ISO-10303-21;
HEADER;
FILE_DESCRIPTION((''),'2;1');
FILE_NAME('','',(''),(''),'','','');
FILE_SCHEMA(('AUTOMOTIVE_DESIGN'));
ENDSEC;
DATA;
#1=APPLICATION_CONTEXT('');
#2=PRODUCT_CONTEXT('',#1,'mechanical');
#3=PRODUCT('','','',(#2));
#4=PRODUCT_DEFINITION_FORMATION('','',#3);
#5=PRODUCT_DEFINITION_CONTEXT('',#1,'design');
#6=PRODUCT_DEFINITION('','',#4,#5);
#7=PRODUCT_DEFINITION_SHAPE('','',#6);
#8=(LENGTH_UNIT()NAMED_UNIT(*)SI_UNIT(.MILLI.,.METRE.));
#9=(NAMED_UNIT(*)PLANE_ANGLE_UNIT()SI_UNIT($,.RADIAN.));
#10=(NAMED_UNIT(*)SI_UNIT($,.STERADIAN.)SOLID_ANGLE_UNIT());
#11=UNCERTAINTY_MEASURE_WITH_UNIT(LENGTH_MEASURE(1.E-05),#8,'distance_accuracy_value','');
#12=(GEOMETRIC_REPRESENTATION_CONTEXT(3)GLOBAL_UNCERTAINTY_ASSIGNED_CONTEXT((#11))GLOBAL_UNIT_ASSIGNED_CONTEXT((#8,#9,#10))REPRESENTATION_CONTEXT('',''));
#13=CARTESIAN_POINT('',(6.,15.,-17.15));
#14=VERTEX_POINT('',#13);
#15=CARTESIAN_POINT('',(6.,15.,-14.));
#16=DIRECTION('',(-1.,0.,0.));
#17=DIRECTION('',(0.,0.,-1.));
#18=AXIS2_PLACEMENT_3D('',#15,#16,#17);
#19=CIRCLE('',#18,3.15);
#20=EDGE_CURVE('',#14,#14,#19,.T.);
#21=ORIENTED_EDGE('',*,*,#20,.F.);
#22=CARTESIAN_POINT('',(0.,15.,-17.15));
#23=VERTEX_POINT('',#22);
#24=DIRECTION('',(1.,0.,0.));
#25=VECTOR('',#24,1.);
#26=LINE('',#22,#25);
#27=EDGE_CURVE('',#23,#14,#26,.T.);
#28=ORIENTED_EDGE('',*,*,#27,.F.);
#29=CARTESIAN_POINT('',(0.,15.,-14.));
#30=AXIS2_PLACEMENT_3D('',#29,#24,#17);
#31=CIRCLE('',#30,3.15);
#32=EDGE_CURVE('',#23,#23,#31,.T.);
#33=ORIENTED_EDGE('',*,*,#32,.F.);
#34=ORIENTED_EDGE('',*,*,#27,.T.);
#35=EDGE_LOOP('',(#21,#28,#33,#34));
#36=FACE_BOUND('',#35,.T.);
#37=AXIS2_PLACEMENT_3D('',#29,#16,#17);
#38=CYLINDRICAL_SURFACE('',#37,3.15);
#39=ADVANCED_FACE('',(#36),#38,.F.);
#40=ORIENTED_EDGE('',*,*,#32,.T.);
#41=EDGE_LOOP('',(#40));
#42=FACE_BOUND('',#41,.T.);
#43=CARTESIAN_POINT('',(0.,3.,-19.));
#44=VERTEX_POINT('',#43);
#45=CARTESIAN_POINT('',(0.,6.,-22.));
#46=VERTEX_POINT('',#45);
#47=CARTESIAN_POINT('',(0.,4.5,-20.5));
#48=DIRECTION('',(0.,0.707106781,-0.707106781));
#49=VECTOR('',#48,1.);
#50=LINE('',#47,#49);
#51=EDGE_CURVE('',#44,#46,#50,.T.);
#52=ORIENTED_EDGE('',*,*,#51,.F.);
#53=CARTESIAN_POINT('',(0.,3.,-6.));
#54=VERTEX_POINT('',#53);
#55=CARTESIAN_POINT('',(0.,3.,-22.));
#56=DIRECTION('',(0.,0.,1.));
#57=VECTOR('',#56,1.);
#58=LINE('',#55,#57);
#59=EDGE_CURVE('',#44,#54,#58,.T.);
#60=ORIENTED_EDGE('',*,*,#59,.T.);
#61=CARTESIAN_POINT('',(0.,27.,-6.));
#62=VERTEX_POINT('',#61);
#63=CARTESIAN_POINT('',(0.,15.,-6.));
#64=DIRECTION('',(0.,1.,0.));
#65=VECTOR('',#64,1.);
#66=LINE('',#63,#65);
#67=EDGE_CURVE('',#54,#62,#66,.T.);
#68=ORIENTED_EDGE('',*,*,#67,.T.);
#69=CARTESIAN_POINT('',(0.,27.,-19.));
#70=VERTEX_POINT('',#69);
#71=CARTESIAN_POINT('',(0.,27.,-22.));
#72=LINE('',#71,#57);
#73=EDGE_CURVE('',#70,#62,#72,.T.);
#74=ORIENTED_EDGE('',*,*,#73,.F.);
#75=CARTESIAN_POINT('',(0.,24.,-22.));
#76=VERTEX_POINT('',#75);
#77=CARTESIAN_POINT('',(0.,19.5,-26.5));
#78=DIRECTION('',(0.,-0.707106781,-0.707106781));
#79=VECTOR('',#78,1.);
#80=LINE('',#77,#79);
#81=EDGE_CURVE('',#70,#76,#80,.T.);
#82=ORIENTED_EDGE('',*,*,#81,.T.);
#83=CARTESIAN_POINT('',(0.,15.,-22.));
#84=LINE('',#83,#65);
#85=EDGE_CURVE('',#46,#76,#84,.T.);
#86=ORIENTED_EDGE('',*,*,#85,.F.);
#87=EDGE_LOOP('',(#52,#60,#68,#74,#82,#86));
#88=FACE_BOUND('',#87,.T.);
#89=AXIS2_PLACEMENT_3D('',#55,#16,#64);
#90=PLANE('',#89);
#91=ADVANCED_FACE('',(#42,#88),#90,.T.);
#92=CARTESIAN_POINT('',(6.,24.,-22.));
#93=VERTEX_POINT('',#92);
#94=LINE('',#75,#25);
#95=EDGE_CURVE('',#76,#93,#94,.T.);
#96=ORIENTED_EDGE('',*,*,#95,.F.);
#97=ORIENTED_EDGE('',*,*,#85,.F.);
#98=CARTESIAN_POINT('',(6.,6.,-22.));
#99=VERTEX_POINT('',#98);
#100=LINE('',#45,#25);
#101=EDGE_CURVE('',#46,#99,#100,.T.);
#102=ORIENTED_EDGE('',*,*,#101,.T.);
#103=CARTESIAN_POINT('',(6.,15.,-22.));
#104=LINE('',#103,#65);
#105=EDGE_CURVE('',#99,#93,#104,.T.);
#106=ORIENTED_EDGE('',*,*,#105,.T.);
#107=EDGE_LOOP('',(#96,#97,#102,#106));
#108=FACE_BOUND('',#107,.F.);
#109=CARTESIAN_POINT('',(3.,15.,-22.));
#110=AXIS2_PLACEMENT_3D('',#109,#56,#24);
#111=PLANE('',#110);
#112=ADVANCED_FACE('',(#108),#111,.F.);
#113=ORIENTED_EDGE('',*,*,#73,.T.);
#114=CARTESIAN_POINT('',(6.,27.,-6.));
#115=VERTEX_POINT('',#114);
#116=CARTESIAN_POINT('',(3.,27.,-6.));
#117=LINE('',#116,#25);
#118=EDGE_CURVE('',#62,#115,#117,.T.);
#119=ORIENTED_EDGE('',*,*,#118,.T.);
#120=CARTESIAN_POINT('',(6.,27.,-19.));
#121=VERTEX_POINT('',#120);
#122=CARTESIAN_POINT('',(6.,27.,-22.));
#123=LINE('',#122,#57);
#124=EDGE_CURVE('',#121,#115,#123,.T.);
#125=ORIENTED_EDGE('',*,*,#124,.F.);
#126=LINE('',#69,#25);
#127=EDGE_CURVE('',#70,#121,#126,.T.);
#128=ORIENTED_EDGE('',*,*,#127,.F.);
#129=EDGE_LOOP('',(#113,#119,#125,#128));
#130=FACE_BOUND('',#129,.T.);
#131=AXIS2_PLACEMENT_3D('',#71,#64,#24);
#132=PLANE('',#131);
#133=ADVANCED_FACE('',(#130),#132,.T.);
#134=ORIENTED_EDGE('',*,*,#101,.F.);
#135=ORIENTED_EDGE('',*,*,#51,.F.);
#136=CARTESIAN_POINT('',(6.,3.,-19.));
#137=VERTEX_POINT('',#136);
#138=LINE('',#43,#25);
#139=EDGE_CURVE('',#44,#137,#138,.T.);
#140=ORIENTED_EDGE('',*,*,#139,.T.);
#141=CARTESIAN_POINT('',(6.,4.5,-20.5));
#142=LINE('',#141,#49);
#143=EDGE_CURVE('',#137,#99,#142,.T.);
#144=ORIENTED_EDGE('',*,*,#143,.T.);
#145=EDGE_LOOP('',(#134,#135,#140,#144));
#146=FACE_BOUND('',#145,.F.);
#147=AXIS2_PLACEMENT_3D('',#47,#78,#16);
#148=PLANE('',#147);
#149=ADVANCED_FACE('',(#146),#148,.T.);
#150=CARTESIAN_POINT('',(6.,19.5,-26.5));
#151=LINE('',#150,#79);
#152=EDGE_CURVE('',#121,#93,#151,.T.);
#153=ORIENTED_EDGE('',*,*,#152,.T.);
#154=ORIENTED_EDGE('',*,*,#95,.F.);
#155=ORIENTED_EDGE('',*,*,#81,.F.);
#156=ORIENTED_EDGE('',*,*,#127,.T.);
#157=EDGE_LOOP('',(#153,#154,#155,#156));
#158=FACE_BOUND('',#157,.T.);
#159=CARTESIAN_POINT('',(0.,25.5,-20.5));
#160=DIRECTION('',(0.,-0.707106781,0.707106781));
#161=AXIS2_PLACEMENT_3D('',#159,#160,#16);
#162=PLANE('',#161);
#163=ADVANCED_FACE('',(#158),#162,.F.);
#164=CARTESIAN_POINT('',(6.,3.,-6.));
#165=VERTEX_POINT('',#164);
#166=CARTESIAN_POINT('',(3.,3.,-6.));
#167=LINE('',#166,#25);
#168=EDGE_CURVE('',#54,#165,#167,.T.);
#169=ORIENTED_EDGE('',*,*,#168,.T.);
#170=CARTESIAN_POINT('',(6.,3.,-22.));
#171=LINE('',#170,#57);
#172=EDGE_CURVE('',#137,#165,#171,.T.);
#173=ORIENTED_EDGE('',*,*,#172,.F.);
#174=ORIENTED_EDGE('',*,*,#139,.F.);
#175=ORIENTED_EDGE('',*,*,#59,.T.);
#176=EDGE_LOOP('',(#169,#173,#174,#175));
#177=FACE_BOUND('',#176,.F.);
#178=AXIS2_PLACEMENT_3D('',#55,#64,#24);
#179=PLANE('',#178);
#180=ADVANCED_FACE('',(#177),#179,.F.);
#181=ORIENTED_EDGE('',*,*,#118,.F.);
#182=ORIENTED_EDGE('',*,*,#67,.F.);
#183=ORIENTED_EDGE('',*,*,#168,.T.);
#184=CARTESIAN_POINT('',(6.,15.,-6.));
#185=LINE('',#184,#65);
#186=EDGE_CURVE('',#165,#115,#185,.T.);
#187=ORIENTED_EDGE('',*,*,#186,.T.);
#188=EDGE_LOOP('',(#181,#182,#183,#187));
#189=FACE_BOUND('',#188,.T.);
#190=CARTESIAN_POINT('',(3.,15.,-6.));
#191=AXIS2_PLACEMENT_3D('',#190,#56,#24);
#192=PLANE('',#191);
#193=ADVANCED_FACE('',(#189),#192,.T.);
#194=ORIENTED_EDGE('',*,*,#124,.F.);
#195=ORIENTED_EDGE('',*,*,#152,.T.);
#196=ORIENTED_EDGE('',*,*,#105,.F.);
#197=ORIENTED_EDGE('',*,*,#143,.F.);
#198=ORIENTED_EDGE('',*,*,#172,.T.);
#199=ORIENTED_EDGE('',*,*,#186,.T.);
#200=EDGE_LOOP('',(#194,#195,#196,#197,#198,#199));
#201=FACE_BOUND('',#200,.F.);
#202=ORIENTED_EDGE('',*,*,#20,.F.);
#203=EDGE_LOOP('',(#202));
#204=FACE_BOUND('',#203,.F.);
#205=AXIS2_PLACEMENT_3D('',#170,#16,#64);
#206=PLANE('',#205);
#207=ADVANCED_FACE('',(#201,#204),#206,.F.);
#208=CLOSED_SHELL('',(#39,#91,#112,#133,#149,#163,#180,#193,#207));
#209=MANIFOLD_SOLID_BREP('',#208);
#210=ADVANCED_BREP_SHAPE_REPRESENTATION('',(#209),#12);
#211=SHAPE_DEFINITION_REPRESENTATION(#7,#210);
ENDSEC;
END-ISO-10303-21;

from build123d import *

# Parameters (mm, degrees)
CYLINDER_R         = 3.15
CYLINDER_DEPTH     = 13
BOX009_W           = 6
BOX009_H           = 24
BOX009_DEPTH       = 16
CHAMFER020020_SIZE = 3


with BuildPart() as cylinder:
    # Cylinder → Cylinder (new body)
    with BuildSketch(Plane(origin=(0, 15, -14), x_dir=(0, 0, -1), z_dir=(1, 0, 0))):
        Circle(CYLINDER_R)
    extrude(amount=CYLINDER_DEPTH)


with BuildPart() as cut002002002007004004001004:
    # Box009 → Box009 (new body)
    with BuildSketch(Plane(origin=(0, 3, -22), x_dir=(1, 0, 0), z_dir=(0, 0, 1))):
        with Locations((3, 12)):
            Rectangle(BOX009_W, BOX009_H)
    extrude(amount=BOX009_DEPTH)

    # Chamfer020020
    chamfer020020_edges = [cut002002002007004004001004.edges().sort_by_distance(p)[0] for p in [
        (3, 3, -22),
        (3, 27, -22),
    ]]
    chamfer(chamfer020020_edges, length=CHAMFER020020_SIZE)

    # Cut002002002007004004001004: cut Cylinder
    add(cylinder.part, mode=Mode.SUBTRACT)


solid = cut002002002007004004001004.part
